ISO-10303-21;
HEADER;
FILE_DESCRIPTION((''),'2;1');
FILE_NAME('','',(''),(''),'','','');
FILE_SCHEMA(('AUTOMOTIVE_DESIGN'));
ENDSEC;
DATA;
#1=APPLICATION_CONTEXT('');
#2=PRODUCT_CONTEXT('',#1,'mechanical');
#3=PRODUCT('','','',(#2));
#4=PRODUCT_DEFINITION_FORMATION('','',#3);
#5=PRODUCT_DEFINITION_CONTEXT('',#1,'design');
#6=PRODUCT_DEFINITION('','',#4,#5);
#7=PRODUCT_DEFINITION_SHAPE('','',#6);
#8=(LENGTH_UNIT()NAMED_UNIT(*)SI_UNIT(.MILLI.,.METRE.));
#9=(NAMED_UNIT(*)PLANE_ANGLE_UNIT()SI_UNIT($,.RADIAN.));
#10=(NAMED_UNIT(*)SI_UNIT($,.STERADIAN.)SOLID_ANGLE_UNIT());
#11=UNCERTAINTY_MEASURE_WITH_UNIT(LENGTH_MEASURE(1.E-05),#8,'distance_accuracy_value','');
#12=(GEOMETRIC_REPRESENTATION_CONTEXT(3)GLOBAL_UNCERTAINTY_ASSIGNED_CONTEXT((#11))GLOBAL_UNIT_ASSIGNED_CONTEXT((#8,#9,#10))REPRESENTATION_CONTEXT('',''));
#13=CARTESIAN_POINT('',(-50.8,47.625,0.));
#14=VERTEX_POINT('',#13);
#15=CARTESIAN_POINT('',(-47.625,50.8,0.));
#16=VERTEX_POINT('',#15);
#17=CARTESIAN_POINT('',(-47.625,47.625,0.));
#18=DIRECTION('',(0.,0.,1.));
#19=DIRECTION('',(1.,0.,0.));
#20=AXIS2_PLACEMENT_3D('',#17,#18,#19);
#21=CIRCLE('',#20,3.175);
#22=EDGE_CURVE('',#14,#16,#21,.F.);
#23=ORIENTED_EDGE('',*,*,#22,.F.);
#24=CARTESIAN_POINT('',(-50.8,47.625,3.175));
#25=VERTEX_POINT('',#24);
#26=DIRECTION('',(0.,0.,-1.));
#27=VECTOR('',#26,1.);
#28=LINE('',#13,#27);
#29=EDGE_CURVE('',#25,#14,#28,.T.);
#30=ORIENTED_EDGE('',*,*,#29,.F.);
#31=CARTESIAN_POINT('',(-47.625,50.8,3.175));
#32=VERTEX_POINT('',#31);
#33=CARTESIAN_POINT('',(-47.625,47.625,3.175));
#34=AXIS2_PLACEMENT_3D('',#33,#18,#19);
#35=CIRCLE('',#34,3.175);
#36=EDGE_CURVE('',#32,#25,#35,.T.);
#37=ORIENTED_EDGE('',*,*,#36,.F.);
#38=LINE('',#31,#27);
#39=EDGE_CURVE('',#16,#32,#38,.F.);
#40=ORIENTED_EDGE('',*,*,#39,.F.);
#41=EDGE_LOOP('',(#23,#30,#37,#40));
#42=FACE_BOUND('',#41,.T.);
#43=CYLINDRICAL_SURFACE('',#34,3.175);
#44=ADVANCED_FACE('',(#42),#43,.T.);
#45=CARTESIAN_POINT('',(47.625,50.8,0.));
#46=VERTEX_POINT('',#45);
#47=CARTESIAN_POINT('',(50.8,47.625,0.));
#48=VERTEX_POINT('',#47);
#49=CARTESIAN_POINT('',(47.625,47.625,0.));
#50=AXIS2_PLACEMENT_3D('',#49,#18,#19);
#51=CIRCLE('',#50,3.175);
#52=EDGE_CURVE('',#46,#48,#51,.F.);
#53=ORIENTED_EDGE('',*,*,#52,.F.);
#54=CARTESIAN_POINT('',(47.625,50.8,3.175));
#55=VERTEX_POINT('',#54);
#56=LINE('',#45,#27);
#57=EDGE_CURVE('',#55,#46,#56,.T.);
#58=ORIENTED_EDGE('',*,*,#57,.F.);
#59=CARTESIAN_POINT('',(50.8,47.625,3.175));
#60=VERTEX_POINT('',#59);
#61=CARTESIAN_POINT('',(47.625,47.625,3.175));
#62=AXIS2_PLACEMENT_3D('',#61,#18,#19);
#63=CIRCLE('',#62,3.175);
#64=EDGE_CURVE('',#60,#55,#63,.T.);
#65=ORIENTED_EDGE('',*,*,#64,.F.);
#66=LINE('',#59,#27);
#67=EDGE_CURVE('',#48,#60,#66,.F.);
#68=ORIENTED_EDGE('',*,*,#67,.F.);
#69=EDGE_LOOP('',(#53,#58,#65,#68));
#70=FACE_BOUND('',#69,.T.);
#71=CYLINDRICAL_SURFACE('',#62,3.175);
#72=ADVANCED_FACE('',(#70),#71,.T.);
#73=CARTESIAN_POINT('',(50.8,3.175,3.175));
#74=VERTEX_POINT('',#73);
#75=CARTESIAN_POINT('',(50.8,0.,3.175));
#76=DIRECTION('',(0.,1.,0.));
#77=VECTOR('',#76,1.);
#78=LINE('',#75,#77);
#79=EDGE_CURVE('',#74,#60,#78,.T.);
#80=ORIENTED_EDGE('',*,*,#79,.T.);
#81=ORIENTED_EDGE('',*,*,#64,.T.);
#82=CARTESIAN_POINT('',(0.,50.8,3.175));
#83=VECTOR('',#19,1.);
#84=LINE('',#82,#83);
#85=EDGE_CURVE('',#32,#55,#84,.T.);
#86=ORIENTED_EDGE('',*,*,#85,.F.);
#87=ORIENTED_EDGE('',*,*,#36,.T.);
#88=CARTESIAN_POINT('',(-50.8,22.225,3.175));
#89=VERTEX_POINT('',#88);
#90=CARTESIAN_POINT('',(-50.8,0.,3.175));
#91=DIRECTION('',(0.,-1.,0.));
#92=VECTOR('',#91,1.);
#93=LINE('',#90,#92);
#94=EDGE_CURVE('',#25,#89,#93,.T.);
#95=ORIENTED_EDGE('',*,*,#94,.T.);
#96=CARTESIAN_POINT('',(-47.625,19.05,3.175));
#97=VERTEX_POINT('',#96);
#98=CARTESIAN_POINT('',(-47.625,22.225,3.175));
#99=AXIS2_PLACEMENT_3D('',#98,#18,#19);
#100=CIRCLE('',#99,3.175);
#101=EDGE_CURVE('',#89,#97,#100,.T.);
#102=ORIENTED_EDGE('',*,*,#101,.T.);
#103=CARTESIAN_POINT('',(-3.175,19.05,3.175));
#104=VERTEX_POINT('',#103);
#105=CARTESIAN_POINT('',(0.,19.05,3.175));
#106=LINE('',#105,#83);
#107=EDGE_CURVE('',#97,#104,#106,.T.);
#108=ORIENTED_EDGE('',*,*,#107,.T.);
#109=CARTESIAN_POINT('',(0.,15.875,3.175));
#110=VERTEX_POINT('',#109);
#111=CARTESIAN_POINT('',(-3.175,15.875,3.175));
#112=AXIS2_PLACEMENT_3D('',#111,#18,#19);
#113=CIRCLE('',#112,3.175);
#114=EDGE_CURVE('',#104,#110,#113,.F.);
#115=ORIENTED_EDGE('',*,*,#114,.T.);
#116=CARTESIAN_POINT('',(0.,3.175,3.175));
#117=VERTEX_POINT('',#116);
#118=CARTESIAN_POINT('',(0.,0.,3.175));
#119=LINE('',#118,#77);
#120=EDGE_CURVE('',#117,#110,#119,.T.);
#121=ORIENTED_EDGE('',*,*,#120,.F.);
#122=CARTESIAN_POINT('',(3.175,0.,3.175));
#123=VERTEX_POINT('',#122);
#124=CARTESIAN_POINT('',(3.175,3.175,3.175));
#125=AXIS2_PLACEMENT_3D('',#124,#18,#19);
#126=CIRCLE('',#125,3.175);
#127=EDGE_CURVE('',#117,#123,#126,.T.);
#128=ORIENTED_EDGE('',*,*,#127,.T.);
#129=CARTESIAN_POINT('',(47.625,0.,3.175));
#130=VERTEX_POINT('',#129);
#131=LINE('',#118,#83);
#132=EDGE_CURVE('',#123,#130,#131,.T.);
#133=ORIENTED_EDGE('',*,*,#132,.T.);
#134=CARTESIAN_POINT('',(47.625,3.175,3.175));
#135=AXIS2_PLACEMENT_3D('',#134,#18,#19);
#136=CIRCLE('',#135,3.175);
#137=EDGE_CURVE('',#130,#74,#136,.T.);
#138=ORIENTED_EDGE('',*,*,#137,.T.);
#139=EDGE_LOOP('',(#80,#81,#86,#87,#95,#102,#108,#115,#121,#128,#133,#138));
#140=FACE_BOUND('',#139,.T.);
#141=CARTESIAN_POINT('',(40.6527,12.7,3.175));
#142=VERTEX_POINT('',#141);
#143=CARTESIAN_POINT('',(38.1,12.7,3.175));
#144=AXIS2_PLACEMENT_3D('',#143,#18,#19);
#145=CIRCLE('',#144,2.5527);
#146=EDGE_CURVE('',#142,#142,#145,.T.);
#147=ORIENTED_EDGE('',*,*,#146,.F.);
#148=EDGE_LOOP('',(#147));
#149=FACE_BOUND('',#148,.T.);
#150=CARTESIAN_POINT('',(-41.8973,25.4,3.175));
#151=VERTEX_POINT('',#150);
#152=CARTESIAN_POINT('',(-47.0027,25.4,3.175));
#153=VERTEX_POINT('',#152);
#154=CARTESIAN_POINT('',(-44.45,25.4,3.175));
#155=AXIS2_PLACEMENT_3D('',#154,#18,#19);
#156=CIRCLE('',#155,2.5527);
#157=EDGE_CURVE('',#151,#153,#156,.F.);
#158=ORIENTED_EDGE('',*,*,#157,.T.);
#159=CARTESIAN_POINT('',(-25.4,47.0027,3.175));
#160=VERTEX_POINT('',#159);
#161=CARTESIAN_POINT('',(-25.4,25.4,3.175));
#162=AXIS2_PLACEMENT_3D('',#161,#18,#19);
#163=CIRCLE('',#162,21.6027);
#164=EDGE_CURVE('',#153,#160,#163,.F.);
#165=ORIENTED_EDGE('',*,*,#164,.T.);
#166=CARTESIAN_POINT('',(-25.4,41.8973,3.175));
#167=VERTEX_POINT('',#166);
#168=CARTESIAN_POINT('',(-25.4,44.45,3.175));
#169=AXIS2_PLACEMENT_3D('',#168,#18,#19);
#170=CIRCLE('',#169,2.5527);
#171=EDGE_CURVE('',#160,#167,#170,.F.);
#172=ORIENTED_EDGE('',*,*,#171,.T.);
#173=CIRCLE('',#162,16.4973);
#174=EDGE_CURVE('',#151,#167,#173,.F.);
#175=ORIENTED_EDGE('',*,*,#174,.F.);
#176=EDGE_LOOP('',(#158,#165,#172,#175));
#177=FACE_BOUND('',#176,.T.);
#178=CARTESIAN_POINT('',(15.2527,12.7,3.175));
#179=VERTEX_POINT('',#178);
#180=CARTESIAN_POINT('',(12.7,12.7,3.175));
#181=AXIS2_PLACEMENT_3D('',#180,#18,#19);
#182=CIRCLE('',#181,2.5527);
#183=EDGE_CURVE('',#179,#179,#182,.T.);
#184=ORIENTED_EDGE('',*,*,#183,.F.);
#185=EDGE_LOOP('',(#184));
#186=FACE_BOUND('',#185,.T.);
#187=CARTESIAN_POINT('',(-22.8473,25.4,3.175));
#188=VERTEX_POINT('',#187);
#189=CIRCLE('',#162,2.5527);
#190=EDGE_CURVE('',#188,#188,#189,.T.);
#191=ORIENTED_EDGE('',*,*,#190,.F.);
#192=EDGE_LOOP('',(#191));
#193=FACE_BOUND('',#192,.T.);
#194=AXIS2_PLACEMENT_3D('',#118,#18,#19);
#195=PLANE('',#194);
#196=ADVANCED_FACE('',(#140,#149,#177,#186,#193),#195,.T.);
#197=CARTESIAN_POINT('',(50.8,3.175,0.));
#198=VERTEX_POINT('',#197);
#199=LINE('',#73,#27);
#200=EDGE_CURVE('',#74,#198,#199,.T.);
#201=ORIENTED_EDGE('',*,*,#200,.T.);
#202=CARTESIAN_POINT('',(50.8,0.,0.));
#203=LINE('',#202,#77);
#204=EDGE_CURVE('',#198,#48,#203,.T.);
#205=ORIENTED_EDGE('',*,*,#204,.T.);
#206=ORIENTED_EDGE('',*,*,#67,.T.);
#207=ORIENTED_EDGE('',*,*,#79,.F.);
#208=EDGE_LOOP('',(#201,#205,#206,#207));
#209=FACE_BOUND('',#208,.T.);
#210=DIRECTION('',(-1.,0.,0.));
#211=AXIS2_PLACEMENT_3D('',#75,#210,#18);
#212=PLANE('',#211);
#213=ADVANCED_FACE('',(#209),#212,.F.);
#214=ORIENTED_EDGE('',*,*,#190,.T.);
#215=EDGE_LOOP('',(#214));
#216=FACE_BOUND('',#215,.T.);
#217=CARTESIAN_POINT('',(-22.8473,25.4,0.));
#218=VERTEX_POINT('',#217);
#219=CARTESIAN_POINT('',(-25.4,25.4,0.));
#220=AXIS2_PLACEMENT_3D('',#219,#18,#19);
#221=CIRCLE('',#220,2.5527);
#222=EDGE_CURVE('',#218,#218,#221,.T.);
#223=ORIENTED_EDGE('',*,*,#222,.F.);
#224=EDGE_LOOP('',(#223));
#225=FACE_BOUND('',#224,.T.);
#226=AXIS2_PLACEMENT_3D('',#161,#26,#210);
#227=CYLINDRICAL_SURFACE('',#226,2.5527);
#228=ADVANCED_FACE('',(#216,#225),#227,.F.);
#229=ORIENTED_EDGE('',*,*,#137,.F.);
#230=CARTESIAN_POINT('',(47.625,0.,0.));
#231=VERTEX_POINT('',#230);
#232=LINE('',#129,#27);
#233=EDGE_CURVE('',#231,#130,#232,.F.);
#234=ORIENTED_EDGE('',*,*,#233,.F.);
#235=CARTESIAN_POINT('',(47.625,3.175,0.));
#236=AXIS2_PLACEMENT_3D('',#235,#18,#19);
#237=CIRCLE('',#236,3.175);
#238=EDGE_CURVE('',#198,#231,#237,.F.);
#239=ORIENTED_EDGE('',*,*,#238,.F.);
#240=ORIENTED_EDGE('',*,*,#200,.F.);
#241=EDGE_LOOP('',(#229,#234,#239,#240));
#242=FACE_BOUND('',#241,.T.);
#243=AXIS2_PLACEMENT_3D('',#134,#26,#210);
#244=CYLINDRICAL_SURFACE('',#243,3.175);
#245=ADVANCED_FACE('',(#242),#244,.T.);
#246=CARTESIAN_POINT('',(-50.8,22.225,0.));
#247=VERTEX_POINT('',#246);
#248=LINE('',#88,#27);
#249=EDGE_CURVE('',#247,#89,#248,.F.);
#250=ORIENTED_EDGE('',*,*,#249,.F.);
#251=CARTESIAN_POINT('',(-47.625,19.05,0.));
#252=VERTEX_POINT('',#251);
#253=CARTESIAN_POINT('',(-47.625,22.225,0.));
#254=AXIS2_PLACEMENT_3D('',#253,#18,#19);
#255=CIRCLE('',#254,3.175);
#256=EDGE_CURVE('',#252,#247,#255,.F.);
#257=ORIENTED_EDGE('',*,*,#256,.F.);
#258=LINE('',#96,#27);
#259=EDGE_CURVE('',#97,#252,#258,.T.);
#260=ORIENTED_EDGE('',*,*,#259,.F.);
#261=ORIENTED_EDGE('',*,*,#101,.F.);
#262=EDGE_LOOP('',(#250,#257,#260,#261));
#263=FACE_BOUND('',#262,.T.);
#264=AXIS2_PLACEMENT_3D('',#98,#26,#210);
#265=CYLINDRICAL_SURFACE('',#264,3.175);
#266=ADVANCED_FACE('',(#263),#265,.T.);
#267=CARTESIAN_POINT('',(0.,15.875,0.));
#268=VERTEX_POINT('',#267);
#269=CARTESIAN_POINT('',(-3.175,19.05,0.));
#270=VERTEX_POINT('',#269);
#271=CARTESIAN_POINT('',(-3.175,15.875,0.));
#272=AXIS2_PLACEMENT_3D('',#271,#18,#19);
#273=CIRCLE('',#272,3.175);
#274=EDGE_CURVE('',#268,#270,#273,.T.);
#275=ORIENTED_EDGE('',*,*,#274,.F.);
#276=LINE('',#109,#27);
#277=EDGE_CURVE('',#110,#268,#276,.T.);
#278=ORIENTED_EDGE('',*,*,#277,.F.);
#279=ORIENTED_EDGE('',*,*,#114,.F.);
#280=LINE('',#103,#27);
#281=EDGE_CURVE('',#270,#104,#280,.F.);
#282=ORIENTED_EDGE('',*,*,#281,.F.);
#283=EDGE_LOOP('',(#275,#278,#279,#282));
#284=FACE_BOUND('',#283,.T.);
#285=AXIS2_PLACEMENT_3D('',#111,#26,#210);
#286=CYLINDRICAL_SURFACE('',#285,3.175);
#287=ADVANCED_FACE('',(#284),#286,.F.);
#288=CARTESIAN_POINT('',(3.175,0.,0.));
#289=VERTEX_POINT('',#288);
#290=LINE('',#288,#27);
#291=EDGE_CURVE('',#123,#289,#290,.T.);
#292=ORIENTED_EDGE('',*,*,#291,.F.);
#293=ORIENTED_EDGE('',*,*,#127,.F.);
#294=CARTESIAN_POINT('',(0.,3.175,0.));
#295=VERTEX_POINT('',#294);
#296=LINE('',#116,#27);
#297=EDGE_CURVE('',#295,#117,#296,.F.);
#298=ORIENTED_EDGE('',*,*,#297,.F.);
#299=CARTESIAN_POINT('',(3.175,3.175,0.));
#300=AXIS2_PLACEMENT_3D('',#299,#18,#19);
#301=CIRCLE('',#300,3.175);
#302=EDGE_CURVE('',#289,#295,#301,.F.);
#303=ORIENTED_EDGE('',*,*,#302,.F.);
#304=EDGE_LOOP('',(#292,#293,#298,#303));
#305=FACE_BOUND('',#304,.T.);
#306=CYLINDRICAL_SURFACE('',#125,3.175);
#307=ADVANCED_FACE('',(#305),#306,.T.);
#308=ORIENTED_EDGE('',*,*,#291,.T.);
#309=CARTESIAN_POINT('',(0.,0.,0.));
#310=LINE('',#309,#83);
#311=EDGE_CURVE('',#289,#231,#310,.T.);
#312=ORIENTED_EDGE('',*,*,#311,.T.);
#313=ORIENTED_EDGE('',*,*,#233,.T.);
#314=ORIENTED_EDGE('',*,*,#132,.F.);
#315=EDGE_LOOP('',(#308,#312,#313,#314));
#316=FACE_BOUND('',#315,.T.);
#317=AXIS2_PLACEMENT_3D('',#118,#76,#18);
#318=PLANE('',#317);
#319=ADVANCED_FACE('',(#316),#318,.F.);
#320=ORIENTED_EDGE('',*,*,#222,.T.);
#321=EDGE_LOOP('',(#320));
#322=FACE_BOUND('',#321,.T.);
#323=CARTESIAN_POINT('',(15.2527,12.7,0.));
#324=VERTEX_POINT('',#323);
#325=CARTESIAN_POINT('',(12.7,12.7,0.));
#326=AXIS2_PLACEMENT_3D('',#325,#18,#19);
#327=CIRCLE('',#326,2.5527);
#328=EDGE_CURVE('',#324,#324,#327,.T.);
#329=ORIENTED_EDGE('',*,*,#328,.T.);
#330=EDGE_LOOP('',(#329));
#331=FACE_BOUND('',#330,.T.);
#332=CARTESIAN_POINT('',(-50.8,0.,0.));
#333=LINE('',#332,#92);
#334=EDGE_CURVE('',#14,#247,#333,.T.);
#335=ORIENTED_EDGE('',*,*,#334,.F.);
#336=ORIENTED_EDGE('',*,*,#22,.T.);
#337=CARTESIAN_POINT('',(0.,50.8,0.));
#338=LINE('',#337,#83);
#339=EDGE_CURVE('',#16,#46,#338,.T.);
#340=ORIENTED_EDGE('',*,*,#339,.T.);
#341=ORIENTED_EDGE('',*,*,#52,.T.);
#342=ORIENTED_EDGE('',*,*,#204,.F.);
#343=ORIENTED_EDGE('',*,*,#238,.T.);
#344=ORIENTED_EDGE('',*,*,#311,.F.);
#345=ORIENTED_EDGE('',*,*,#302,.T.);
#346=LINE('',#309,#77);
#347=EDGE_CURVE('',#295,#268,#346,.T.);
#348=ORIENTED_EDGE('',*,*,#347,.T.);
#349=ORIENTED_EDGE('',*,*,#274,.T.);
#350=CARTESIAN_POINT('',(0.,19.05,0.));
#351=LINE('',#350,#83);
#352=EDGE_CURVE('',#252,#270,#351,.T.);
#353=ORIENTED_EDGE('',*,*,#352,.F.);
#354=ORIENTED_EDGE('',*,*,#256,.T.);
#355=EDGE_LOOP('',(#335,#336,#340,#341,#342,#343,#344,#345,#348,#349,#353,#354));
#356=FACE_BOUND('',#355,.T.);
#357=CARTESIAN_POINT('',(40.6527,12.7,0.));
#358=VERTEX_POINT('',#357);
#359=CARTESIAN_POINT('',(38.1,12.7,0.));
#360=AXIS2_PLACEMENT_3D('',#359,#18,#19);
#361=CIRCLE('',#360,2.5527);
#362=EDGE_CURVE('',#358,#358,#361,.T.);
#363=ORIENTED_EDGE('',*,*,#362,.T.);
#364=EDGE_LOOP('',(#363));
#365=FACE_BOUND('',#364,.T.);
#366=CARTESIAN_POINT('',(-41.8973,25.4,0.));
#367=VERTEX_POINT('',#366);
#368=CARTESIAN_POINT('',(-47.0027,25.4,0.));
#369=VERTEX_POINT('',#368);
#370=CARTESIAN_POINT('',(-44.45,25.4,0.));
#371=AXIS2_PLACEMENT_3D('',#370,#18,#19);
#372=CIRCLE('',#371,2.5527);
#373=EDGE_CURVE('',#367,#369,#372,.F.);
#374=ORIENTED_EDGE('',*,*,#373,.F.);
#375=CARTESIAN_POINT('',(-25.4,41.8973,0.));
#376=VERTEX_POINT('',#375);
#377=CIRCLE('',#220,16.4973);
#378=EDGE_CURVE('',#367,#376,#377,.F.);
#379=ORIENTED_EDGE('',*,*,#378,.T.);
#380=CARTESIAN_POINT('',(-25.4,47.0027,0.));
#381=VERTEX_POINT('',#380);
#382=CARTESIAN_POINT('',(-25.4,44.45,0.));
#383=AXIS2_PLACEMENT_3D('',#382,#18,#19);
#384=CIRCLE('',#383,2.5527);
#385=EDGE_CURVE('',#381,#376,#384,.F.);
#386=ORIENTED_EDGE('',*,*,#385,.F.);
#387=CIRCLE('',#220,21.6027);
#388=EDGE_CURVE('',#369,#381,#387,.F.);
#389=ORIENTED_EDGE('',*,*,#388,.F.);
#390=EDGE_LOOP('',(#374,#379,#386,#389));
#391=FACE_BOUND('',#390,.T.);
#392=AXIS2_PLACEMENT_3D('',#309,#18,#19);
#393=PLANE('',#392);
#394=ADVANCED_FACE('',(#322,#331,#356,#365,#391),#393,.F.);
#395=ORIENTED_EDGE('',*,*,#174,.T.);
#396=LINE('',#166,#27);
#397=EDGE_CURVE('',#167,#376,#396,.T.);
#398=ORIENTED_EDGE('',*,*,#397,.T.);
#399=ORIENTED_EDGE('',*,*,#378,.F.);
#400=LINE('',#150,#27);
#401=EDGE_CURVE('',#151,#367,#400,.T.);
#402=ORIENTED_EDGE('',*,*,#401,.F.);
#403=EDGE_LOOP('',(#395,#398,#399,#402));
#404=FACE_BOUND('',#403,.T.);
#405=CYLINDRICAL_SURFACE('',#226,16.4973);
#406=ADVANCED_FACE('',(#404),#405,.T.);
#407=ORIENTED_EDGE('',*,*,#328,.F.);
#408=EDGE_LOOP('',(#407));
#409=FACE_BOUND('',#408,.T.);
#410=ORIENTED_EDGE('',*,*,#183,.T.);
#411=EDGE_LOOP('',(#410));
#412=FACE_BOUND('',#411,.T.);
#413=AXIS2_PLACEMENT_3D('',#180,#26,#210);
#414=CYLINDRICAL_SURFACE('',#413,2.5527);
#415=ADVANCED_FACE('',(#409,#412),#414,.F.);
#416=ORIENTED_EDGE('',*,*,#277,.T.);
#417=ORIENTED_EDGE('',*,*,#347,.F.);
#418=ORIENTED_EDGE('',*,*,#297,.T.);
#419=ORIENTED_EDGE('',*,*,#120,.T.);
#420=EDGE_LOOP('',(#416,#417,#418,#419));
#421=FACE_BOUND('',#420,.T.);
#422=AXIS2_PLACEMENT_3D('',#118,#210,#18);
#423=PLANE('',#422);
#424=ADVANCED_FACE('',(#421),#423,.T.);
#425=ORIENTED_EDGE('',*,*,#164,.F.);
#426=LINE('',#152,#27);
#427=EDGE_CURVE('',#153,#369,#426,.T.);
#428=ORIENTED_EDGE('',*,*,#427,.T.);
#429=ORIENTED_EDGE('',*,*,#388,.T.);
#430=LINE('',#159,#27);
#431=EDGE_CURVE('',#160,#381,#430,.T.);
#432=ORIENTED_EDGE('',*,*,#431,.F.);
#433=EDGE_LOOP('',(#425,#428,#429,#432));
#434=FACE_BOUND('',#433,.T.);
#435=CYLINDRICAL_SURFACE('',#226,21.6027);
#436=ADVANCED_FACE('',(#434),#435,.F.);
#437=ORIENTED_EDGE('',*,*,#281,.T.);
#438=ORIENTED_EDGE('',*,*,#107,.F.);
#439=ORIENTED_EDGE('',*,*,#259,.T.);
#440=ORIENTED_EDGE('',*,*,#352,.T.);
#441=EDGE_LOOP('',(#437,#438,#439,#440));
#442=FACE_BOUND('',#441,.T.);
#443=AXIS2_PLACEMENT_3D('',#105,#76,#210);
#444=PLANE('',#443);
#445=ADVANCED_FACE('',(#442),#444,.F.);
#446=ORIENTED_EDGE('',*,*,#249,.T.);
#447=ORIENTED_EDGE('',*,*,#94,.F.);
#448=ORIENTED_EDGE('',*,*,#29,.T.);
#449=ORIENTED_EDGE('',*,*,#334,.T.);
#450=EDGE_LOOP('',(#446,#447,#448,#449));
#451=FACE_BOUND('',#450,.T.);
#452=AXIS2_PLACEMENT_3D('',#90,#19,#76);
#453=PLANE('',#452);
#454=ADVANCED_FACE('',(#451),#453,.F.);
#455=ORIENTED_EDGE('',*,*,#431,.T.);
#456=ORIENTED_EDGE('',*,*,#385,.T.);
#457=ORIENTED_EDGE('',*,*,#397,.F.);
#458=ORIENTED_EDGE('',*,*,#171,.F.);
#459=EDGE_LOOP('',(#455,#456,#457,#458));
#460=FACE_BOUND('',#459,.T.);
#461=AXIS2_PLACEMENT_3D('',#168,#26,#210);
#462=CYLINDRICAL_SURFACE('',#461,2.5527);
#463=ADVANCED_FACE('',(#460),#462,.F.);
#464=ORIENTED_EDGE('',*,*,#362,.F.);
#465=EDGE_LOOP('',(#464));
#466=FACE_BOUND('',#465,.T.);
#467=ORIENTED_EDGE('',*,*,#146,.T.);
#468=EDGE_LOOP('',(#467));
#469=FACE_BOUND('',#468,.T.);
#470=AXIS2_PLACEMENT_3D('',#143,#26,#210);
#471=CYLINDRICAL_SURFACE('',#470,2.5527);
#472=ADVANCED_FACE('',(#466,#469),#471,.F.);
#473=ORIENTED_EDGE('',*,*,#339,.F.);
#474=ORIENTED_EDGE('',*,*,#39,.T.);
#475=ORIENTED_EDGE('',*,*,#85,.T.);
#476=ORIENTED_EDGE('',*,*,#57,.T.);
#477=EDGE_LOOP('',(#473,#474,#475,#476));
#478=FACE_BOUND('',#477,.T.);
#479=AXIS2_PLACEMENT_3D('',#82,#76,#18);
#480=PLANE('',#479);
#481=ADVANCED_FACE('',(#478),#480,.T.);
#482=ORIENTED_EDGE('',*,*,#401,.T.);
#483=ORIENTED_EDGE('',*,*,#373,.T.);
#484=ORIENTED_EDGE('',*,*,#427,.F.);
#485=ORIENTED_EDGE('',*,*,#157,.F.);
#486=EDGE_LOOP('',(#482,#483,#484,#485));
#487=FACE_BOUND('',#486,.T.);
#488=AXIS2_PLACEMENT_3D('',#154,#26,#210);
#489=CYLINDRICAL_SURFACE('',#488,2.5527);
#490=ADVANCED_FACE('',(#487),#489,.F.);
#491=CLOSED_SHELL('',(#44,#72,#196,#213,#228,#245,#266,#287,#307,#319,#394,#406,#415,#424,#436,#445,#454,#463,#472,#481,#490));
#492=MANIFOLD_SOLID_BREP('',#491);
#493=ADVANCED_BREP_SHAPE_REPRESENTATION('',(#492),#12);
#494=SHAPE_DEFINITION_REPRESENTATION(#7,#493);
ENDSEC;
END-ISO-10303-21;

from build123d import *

# Parameters (mm, degrees)
SKETCH1_W           = 50.8
SKETCH1_H           = 50.8
SKETCH1_R           = 2.5527
SKETCH1_H_2         = 31.75
BOSS_EXTRUDE1_DEPTH = 3.175
FILLET1_R           = 3.175


with BuildPart() as part:
    # Sketch1 → Boss-Extrude1 (new body)
    # profile 1 of 2: a face of its own
    with BuildSketch(Plane.XY):
        with Locations((25.4, 25.4)):
            Rectangle(SKETCH1_W, SKETCH1_H)
        with Locations((38.1, 12.7)):
            Circle(SKETCH1_R, mode=Mode.SUBTRACT)
        with Locations((12.7, 12.7)):
            Circle(SKETCH1_R, mode=Mode.SUBTRACT)
    # profile 2 of 2: a face of its own
    with BuildSketch(Plane.XY):
        with Locations((-25.4, 34.925)):
            Rectangle(SKETCH1_W, SKETCH1_H_2)
        with Locations((-25.4, 25.4)):
            Circle(SKETCH1_R, mode=Mode.SUBTRACT)
        with BuildLine():
            ThreePointArc((-41.8973, 25.4), (-44.45, 22.8473), (-47.0027, 25.4))
            ThreePointArc((-47.0027, 25.4), (-40.675415662, 40.675415662), (-25.4, 47.0027))
            ThreePointArc((-25.4, 47.0027), (-22.8473, 44.45), (-25.4, 41.8973))
            ThreePointArc((-25.4, 41.8973), (-37.065352701, 37.065352701), (-41.8973, 25.4))
        make_face(mode=Mode.SUBTRACT)
    extrude(amount=BOSS_EXTRUDE1_DEPTH)

    # Fillet1
    fillet1_edges = [part.edges().sort_by_distance(p)[0] for p in [
        (0, 0, 1.5875),
        (0, 19.05, 1.5875),
        (-50.8, 19.05, 1.5875),
        (-50.8, 50.8, 1.5875),
        (50.8, 50.8, 1.5875),
        (50.8, 0, 1.5875),
    ]]
    fillet(fillet1_edges, radius=FILLET1_R)


solid = part.part
